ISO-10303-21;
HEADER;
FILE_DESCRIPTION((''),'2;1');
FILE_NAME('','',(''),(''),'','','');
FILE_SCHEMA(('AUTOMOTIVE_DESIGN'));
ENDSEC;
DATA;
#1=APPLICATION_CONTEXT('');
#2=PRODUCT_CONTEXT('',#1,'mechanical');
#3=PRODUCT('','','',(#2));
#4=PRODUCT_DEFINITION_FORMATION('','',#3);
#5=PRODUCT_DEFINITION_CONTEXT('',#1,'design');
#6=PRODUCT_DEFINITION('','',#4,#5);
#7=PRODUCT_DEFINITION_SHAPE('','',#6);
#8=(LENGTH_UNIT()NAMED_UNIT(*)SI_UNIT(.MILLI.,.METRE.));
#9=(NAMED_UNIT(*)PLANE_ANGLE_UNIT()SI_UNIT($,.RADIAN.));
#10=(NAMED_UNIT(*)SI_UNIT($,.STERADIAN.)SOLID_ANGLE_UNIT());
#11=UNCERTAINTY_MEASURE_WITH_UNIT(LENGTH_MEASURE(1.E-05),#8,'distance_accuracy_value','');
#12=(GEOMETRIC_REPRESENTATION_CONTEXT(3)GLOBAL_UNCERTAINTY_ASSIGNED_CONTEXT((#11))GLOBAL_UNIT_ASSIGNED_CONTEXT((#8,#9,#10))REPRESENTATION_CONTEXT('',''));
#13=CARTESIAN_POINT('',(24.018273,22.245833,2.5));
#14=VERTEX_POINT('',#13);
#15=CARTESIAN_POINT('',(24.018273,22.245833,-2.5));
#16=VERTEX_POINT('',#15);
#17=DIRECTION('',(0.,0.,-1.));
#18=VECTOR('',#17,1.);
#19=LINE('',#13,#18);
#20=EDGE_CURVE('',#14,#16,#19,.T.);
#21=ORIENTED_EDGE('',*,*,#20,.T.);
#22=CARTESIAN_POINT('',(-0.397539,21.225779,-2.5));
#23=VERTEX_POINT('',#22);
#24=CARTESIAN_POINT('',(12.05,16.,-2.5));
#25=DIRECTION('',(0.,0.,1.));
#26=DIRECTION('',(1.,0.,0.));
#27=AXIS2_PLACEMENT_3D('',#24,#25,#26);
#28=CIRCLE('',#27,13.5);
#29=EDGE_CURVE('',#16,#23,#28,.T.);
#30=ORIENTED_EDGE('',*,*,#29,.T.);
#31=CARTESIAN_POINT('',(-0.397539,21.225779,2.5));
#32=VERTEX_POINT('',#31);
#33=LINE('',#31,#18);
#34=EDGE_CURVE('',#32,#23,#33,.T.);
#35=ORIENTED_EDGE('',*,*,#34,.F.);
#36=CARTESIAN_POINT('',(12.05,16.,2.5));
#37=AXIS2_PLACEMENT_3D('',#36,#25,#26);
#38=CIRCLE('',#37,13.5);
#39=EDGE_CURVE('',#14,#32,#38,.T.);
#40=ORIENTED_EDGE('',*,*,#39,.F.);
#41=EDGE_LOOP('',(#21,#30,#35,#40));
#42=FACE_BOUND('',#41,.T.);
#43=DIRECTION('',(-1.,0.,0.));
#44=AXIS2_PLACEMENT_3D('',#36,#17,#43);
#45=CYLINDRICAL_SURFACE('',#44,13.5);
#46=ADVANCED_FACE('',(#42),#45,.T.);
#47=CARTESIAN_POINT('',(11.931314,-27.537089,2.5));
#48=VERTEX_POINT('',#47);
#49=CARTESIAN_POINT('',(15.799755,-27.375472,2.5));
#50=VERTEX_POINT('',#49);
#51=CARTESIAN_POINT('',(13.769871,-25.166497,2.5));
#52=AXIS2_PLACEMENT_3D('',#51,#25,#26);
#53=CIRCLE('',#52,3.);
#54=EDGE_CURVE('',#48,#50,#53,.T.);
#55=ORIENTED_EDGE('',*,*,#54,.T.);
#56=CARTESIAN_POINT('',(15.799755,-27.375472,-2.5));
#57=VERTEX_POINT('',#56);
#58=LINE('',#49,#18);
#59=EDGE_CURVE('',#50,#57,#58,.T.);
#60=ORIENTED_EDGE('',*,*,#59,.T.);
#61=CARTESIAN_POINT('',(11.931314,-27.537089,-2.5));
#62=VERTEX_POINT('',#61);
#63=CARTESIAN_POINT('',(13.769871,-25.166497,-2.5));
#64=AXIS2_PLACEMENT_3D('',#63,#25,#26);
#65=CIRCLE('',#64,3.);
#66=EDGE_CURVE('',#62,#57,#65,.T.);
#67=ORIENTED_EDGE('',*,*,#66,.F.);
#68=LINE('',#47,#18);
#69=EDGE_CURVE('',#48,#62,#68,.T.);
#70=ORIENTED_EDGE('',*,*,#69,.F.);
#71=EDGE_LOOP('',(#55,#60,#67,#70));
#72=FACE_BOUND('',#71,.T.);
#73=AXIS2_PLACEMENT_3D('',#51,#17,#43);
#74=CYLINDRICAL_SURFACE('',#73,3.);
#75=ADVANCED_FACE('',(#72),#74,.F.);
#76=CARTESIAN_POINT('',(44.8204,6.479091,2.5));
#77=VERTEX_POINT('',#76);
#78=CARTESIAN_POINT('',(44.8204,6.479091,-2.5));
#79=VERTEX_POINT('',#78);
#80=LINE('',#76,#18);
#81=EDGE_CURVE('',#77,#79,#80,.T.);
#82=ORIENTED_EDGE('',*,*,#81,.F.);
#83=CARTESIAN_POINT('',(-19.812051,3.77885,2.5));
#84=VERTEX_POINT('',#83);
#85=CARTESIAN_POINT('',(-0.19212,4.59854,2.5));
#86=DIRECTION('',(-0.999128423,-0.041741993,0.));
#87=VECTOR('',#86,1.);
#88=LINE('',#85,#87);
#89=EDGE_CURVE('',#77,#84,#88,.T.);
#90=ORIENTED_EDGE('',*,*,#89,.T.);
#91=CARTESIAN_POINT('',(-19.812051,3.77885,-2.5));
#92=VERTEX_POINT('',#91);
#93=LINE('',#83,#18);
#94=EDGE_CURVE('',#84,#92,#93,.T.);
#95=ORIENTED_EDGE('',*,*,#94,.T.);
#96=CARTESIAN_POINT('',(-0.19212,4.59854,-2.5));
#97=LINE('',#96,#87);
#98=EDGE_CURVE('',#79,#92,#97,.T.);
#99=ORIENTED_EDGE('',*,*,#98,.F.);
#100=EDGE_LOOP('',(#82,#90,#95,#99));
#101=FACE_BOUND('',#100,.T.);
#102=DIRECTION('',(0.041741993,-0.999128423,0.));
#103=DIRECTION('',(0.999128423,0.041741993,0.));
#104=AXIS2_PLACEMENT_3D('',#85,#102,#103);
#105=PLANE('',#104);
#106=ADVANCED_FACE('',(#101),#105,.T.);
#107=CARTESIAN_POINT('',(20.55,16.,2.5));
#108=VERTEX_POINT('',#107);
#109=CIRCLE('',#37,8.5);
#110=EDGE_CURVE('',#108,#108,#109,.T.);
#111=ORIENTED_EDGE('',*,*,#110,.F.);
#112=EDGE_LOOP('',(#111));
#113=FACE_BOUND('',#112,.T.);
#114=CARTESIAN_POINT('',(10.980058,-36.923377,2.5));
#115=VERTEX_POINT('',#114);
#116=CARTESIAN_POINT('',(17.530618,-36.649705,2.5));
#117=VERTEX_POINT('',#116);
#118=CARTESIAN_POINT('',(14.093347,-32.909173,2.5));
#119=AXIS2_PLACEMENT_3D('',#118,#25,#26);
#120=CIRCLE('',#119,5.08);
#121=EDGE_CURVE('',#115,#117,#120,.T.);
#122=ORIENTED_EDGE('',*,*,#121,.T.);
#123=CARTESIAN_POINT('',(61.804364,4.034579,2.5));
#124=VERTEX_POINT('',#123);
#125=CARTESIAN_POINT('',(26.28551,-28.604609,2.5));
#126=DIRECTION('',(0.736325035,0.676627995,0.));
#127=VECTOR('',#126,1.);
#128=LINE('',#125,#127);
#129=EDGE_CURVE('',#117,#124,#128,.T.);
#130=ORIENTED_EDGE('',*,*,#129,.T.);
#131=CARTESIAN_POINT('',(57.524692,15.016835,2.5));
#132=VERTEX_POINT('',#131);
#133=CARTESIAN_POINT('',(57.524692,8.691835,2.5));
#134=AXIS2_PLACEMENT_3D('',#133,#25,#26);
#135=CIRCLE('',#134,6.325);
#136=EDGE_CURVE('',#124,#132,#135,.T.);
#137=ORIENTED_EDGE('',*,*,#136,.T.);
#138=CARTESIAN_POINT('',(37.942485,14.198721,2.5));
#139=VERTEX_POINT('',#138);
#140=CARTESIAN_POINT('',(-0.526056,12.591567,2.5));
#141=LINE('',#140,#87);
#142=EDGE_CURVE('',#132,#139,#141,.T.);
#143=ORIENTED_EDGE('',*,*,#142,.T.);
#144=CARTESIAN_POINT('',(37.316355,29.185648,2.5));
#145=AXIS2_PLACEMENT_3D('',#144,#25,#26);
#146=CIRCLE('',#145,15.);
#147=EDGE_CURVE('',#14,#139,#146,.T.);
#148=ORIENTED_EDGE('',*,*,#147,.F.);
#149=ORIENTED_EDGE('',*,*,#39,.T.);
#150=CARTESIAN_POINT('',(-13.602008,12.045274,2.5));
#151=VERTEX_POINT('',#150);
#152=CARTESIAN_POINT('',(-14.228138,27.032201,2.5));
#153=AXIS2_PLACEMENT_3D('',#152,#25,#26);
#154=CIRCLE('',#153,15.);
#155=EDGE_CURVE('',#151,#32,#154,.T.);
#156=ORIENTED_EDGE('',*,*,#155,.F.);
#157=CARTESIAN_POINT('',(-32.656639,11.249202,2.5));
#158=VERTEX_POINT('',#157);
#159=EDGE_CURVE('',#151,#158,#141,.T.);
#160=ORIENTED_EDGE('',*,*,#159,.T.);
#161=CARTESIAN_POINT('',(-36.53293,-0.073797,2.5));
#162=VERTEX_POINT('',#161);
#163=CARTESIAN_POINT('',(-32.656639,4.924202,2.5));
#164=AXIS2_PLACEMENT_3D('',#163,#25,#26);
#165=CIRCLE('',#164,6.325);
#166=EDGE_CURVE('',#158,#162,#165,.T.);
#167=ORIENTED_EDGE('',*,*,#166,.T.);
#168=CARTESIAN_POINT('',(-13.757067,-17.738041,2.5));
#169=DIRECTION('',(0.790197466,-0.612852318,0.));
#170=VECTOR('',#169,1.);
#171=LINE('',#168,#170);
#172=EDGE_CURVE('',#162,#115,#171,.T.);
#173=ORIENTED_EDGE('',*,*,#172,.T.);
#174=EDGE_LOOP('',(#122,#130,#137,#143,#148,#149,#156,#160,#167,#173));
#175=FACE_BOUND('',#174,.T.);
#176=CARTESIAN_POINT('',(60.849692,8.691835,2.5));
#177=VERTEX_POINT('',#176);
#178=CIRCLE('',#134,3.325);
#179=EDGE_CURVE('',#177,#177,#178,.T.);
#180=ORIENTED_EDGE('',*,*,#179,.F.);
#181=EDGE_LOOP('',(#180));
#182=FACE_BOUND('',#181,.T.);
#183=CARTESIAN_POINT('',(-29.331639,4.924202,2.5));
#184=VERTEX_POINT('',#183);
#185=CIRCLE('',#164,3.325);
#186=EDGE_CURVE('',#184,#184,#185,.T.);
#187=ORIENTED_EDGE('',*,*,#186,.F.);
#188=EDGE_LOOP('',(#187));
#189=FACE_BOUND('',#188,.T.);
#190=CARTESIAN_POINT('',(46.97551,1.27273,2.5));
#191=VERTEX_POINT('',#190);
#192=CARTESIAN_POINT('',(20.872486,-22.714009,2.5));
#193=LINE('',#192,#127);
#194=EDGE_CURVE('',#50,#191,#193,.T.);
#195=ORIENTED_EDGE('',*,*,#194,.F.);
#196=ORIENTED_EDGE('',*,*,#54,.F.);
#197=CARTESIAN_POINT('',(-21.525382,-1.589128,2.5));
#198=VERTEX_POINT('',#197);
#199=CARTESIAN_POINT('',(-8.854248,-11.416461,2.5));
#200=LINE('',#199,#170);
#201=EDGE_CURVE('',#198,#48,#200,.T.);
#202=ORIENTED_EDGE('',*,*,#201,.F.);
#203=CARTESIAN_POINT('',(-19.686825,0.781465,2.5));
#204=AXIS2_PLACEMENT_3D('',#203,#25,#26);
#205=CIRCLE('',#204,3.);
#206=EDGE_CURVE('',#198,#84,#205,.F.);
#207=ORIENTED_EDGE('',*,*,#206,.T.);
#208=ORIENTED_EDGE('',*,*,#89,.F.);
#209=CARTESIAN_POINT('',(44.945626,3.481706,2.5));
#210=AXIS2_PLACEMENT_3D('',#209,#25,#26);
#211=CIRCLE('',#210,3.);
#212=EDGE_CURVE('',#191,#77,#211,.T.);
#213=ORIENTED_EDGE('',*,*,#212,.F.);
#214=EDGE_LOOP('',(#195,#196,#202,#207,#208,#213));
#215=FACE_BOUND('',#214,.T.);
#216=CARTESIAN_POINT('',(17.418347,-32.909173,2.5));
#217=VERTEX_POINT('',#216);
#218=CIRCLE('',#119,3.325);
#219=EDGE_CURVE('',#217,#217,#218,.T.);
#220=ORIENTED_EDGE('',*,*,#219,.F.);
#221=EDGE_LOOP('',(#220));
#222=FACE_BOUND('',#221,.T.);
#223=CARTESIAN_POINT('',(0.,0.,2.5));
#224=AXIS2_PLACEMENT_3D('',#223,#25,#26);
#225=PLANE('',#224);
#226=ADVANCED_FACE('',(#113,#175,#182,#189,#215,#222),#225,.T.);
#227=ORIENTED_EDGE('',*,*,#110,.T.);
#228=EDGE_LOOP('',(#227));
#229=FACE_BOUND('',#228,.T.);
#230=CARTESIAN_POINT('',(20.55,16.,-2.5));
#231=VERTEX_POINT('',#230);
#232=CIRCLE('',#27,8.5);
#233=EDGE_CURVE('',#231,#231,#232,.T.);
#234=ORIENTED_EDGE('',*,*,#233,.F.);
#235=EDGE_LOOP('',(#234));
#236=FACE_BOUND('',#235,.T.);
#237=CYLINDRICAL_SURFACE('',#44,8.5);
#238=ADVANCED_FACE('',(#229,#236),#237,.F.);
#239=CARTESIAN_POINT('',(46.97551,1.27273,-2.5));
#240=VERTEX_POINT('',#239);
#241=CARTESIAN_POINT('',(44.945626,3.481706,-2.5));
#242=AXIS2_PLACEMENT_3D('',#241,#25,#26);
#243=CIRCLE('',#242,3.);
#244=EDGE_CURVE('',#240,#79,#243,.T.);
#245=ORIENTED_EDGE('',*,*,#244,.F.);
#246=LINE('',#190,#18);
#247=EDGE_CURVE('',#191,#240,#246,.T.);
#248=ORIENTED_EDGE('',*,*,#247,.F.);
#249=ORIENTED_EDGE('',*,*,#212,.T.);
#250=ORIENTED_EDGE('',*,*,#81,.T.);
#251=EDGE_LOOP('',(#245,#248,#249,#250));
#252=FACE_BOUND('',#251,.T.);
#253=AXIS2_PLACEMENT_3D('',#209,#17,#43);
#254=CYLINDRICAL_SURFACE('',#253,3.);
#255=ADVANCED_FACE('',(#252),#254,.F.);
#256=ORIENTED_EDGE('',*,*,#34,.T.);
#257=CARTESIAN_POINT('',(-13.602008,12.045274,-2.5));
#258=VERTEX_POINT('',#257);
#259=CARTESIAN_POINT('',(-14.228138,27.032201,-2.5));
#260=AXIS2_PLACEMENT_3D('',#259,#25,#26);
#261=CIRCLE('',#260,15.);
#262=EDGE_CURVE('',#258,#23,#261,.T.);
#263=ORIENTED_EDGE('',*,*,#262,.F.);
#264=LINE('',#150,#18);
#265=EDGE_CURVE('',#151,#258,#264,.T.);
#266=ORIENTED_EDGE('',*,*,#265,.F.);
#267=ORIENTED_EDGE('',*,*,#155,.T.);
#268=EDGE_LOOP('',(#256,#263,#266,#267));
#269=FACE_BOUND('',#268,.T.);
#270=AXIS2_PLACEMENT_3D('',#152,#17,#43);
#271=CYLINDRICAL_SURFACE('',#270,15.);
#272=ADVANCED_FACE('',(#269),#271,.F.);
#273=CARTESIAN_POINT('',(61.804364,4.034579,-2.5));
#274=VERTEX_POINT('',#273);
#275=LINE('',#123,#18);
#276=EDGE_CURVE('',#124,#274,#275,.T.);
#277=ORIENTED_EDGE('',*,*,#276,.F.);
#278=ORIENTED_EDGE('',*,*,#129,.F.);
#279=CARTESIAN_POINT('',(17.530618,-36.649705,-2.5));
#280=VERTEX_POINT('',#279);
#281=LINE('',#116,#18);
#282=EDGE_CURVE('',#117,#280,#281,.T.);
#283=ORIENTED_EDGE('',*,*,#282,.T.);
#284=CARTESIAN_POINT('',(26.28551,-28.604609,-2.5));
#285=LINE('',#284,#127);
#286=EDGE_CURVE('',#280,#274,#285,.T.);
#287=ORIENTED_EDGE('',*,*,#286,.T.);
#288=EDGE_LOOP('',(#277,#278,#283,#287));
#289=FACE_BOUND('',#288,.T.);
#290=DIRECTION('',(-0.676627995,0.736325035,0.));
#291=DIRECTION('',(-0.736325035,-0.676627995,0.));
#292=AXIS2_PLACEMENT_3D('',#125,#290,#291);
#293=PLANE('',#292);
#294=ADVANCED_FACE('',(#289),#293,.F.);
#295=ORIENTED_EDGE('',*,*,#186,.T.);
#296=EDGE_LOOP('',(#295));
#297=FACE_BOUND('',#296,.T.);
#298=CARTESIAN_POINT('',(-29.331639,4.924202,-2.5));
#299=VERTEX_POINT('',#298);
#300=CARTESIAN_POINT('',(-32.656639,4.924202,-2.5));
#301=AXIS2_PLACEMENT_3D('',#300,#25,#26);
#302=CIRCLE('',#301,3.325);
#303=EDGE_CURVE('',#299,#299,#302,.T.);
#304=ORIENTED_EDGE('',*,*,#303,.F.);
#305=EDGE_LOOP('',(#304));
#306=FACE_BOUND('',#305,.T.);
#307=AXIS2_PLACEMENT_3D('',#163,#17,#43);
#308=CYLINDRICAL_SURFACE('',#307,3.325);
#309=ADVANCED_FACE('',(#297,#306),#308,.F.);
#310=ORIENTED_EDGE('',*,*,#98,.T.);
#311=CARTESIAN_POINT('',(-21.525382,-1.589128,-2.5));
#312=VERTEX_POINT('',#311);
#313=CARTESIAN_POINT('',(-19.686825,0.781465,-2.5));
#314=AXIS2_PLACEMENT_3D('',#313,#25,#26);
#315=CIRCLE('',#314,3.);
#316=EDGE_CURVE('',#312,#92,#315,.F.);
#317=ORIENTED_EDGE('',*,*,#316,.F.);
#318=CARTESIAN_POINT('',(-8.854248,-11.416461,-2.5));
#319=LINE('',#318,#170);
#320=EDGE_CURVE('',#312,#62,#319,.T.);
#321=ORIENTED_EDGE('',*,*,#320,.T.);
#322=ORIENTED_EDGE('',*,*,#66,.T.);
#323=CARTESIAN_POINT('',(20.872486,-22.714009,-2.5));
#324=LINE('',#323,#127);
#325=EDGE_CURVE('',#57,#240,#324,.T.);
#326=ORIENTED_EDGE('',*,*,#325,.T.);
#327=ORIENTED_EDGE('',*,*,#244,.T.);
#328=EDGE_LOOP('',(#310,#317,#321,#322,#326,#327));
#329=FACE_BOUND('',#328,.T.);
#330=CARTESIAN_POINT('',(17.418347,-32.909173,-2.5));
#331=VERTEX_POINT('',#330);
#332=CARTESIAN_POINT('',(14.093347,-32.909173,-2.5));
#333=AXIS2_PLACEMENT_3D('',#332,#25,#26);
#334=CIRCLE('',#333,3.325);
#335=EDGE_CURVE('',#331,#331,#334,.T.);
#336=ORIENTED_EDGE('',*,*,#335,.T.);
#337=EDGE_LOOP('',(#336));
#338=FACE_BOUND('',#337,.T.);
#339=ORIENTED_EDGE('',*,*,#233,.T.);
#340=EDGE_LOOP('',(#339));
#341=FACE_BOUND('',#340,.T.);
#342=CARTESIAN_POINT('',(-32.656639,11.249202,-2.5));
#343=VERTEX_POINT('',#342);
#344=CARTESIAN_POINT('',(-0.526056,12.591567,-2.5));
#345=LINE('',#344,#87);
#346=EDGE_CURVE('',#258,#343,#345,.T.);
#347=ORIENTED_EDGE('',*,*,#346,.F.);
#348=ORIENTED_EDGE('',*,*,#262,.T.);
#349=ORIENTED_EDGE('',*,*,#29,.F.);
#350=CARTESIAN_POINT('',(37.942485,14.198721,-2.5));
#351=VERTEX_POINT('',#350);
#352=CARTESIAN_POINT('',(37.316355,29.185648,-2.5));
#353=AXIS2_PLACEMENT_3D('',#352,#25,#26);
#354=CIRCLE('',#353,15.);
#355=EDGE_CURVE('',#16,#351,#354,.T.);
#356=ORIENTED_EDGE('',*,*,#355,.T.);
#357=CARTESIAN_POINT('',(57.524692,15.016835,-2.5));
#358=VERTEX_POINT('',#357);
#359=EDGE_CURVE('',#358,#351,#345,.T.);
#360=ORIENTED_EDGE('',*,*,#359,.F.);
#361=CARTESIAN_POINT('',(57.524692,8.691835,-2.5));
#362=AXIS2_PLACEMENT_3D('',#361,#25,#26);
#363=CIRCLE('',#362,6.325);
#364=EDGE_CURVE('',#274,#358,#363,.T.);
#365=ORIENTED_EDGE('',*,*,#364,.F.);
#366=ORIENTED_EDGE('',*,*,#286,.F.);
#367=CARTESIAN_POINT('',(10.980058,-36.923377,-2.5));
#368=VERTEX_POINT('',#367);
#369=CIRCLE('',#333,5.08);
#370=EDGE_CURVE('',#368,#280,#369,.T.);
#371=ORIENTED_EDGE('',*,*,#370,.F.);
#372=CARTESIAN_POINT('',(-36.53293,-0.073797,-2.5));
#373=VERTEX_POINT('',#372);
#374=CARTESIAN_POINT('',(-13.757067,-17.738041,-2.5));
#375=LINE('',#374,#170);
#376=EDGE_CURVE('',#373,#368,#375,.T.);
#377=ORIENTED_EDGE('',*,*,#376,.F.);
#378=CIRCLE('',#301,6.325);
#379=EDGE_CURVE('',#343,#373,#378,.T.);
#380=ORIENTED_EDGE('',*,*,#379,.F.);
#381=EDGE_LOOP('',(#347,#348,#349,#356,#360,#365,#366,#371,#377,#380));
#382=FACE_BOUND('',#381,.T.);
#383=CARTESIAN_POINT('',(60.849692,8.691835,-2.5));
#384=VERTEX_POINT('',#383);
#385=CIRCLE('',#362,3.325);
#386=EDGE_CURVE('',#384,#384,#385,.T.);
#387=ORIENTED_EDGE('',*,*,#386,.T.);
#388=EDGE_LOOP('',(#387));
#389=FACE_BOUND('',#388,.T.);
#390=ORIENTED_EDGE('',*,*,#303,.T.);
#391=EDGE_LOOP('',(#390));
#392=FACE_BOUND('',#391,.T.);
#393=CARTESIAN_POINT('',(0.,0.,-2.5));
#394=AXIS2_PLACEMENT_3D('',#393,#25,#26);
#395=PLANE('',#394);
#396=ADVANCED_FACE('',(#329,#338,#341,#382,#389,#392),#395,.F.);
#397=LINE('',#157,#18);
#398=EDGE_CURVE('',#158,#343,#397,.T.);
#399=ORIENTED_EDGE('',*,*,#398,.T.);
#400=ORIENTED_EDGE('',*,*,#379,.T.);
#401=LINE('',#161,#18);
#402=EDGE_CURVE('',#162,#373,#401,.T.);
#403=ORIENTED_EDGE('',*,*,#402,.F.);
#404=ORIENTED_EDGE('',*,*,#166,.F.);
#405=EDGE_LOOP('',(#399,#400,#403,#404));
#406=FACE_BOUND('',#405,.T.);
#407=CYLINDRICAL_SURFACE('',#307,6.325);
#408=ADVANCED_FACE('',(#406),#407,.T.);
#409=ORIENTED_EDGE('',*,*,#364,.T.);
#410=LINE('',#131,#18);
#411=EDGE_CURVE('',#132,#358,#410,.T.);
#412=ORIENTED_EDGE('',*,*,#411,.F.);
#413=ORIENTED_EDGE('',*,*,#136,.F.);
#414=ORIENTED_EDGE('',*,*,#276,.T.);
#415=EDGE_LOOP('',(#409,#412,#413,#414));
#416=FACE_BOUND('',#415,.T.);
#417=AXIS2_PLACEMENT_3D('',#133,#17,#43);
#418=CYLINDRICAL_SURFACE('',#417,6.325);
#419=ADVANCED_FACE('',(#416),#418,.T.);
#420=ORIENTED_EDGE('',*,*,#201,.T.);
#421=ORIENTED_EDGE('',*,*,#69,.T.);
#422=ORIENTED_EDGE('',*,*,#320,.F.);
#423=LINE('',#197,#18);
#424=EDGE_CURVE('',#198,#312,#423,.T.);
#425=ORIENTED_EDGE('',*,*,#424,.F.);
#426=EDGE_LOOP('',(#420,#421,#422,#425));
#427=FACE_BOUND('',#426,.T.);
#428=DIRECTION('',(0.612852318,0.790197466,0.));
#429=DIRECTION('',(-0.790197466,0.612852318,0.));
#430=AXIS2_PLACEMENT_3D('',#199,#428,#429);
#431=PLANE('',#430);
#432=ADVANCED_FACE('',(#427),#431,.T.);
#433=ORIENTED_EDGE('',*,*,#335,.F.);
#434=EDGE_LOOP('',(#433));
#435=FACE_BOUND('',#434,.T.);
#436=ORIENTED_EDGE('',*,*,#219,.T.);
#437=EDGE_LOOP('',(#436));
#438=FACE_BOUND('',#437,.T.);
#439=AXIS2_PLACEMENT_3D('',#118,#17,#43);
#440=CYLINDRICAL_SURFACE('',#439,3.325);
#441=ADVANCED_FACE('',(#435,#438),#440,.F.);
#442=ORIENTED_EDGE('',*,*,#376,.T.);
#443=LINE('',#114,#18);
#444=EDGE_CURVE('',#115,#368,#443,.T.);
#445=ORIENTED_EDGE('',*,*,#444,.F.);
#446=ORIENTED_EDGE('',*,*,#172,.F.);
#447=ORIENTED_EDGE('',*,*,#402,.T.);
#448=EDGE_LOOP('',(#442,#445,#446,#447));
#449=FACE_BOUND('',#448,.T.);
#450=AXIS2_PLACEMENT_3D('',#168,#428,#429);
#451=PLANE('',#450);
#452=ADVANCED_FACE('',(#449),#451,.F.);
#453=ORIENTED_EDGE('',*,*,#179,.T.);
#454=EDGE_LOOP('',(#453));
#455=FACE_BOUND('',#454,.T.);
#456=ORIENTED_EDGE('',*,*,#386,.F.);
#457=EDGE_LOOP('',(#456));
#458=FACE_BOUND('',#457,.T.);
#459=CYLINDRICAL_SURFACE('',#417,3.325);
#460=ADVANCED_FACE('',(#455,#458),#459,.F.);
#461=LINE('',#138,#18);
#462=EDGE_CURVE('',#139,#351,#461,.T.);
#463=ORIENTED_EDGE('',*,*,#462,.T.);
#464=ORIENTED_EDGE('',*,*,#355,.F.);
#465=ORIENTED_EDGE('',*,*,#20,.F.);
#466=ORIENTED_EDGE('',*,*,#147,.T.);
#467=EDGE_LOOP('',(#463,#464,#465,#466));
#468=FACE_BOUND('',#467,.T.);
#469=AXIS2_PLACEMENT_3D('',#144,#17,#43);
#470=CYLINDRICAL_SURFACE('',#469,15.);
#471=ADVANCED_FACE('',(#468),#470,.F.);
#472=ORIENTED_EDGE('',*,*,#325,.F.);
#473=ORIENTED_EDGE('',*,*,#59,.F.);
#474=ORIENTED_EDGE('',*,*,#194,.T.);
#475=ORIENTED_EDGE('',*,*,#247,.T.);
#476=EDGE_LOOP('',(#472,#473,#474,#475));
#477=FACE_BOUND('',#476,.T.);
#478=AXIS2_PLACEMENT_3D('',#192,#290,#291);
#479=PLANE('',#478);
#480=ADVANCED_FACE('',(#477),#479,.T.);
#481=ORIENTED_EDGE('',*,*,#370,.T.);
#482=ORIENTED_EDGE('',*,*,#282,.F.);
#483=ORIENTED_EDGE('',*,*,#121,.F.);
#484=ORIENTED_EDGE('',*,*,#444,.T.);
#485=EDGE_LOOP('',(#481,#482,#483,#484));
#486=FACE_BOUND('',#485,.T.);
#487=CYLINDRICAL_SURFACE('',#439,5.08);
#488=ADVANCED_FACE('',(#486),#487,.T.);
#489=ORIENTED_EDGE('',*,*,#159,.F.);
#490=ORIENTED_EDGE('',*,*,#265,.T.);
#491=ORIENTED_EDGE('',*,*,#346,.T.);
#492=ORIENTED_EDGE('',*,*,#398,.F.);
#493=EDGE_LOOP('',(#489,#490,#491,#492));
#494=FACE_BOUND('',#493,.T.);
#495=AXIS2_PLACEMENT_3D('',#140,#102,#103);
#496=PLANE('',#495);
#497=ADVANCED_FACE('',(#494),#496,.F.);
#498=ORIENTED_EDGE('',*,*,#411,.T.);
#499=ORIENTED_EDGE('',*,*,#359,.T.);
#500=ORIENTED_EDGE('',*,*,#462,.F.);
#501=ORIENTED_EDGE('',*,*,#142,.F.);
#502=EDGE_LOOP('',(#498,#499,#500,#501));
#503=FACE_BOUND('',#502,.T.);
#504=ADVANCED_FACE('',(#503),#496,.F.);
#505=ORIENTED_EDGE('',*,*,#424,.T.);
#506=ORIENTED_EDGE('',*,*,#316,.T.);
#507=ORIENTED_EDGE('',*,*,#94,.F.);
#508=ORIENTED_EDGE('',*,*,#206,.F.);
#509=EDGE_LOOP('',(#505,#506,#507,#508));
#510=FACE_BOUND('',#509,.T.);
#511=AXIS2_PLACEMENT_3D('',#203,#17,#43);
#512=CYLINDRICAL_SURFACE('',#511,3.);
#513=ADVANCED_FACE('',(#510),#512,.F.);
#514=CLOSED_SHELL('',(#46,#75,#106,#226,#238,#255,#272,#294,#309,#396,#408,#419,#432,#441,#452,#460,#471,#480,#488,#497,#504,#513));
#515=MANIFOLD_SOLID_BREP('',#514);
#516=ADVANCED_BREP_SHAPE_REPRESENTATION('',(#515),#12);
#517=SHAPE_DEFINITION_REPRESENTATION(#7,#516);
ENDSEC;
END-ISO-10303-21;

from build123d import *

# Parameters (mm, degrees)
SKETCH1_R           = 3.325
SKETCH1_R_2         = 8.5
BOSS_EXTRUDE1_DEPTH = 2.5


with BuildPart() as part:
    # Sketch1 → Boss-Extrude1 (new, symmetric)
    with BuildSketch(Plane.XY):
        with BuildLine():
            ThreePointArc((60.622067271, 14.206532436), (59.125498335, 14.810906809), (57.524692071, 15.016834632))
            Line((57.524692071, 15.016834632), (56.997116089, 14.994793348))
            Line((56.997116089, 14.994793348), (37.942484943, 14.198721238))
            ThreePointArc((37.942484943, 14.198721238), (29.810784304, 16.198484397), (24.018273447, 22.245833067))
            ThreePointArc((24.018273447, 22.245833067), (11.4864831, 29.488233713), (-0.397539124, 21.225779345))
            ThreePointArc((-0.397539124, 21.225779345), (-5.665447564, 14.71634399), (-13.602008261, 12.045274491))
            Line((-13.602008261, 12.045274491), (-32.656639407, 11.249202381))
            ThreePointArc((-32.656639407, 11.249202381), (-35.431571333, 10.60798438), (-37.643867273, 8.81434161))
            ThreePointArc((-37.643867273, 8.81434161), (-38.932803958, 4.139738531), (-36.53293032, -0.073796594))
            Line((-36.53293032, -0.073796594), (10.980057512, -36.923376572))
            ThreePointArc((10.980057512, -36.923376572), (14.305396611, -37.984745832), (17.530617501, -36.649704619))
            Line((17.530617501, -36.649704619), (61.804364137, 4.034578786))
            ThreePointArc((61.804364137, 4.034578786), (63.807395856, 9.422079897), (60.622067271, 14.206532436))
        make_face()
        with Locations((14.093347289, -32.909173442)):
            Circle(SKETCH1_R, mode=Mode.SUBTRACT)
        with BuildLine():
            Line((-19.81205116, 3.778850103), (44.820399723, 6.479090855))
            ThreePointArc((44.820399723, 6.479090855), (47.71753436, 4.629103679), (46.975509685, 1.272730481))
            Line((46.975509685, 1.272730481), (15.799754589, -27.375471944))
            ThreePointArc((15.799754589, -27.375471944), (13.895096583, -28.163882109), (11.93131365, -27.537089238))
            Line((11.93131365, -27.537089238), (-21.525382137, -1.589127566))
            ThreePointArc((-21.525382137, -1.589127566), (-22.544780206, 1.693656197), (-19.81205116, 3.778850103))
        make_face(mode=Mode.SUBTRACT)
        with Locations((-32.656639407, 4.924202381)):
            Circle(SKETCH1_R, mode=Mode.SUBTRACT)
        with Locations((12.05, 16)):
            Circle(SKETCH1_R_2, mode=Mode.SUBTRACT)
        with Locations((57.524692071, 8.691834632)):
            Circle(SKETCH1_R, mode=Mode.SUBTRACT)
    extrude(amount=BOSS_EXTRUDE1_DEPTH, both=True)


solid = part.part
